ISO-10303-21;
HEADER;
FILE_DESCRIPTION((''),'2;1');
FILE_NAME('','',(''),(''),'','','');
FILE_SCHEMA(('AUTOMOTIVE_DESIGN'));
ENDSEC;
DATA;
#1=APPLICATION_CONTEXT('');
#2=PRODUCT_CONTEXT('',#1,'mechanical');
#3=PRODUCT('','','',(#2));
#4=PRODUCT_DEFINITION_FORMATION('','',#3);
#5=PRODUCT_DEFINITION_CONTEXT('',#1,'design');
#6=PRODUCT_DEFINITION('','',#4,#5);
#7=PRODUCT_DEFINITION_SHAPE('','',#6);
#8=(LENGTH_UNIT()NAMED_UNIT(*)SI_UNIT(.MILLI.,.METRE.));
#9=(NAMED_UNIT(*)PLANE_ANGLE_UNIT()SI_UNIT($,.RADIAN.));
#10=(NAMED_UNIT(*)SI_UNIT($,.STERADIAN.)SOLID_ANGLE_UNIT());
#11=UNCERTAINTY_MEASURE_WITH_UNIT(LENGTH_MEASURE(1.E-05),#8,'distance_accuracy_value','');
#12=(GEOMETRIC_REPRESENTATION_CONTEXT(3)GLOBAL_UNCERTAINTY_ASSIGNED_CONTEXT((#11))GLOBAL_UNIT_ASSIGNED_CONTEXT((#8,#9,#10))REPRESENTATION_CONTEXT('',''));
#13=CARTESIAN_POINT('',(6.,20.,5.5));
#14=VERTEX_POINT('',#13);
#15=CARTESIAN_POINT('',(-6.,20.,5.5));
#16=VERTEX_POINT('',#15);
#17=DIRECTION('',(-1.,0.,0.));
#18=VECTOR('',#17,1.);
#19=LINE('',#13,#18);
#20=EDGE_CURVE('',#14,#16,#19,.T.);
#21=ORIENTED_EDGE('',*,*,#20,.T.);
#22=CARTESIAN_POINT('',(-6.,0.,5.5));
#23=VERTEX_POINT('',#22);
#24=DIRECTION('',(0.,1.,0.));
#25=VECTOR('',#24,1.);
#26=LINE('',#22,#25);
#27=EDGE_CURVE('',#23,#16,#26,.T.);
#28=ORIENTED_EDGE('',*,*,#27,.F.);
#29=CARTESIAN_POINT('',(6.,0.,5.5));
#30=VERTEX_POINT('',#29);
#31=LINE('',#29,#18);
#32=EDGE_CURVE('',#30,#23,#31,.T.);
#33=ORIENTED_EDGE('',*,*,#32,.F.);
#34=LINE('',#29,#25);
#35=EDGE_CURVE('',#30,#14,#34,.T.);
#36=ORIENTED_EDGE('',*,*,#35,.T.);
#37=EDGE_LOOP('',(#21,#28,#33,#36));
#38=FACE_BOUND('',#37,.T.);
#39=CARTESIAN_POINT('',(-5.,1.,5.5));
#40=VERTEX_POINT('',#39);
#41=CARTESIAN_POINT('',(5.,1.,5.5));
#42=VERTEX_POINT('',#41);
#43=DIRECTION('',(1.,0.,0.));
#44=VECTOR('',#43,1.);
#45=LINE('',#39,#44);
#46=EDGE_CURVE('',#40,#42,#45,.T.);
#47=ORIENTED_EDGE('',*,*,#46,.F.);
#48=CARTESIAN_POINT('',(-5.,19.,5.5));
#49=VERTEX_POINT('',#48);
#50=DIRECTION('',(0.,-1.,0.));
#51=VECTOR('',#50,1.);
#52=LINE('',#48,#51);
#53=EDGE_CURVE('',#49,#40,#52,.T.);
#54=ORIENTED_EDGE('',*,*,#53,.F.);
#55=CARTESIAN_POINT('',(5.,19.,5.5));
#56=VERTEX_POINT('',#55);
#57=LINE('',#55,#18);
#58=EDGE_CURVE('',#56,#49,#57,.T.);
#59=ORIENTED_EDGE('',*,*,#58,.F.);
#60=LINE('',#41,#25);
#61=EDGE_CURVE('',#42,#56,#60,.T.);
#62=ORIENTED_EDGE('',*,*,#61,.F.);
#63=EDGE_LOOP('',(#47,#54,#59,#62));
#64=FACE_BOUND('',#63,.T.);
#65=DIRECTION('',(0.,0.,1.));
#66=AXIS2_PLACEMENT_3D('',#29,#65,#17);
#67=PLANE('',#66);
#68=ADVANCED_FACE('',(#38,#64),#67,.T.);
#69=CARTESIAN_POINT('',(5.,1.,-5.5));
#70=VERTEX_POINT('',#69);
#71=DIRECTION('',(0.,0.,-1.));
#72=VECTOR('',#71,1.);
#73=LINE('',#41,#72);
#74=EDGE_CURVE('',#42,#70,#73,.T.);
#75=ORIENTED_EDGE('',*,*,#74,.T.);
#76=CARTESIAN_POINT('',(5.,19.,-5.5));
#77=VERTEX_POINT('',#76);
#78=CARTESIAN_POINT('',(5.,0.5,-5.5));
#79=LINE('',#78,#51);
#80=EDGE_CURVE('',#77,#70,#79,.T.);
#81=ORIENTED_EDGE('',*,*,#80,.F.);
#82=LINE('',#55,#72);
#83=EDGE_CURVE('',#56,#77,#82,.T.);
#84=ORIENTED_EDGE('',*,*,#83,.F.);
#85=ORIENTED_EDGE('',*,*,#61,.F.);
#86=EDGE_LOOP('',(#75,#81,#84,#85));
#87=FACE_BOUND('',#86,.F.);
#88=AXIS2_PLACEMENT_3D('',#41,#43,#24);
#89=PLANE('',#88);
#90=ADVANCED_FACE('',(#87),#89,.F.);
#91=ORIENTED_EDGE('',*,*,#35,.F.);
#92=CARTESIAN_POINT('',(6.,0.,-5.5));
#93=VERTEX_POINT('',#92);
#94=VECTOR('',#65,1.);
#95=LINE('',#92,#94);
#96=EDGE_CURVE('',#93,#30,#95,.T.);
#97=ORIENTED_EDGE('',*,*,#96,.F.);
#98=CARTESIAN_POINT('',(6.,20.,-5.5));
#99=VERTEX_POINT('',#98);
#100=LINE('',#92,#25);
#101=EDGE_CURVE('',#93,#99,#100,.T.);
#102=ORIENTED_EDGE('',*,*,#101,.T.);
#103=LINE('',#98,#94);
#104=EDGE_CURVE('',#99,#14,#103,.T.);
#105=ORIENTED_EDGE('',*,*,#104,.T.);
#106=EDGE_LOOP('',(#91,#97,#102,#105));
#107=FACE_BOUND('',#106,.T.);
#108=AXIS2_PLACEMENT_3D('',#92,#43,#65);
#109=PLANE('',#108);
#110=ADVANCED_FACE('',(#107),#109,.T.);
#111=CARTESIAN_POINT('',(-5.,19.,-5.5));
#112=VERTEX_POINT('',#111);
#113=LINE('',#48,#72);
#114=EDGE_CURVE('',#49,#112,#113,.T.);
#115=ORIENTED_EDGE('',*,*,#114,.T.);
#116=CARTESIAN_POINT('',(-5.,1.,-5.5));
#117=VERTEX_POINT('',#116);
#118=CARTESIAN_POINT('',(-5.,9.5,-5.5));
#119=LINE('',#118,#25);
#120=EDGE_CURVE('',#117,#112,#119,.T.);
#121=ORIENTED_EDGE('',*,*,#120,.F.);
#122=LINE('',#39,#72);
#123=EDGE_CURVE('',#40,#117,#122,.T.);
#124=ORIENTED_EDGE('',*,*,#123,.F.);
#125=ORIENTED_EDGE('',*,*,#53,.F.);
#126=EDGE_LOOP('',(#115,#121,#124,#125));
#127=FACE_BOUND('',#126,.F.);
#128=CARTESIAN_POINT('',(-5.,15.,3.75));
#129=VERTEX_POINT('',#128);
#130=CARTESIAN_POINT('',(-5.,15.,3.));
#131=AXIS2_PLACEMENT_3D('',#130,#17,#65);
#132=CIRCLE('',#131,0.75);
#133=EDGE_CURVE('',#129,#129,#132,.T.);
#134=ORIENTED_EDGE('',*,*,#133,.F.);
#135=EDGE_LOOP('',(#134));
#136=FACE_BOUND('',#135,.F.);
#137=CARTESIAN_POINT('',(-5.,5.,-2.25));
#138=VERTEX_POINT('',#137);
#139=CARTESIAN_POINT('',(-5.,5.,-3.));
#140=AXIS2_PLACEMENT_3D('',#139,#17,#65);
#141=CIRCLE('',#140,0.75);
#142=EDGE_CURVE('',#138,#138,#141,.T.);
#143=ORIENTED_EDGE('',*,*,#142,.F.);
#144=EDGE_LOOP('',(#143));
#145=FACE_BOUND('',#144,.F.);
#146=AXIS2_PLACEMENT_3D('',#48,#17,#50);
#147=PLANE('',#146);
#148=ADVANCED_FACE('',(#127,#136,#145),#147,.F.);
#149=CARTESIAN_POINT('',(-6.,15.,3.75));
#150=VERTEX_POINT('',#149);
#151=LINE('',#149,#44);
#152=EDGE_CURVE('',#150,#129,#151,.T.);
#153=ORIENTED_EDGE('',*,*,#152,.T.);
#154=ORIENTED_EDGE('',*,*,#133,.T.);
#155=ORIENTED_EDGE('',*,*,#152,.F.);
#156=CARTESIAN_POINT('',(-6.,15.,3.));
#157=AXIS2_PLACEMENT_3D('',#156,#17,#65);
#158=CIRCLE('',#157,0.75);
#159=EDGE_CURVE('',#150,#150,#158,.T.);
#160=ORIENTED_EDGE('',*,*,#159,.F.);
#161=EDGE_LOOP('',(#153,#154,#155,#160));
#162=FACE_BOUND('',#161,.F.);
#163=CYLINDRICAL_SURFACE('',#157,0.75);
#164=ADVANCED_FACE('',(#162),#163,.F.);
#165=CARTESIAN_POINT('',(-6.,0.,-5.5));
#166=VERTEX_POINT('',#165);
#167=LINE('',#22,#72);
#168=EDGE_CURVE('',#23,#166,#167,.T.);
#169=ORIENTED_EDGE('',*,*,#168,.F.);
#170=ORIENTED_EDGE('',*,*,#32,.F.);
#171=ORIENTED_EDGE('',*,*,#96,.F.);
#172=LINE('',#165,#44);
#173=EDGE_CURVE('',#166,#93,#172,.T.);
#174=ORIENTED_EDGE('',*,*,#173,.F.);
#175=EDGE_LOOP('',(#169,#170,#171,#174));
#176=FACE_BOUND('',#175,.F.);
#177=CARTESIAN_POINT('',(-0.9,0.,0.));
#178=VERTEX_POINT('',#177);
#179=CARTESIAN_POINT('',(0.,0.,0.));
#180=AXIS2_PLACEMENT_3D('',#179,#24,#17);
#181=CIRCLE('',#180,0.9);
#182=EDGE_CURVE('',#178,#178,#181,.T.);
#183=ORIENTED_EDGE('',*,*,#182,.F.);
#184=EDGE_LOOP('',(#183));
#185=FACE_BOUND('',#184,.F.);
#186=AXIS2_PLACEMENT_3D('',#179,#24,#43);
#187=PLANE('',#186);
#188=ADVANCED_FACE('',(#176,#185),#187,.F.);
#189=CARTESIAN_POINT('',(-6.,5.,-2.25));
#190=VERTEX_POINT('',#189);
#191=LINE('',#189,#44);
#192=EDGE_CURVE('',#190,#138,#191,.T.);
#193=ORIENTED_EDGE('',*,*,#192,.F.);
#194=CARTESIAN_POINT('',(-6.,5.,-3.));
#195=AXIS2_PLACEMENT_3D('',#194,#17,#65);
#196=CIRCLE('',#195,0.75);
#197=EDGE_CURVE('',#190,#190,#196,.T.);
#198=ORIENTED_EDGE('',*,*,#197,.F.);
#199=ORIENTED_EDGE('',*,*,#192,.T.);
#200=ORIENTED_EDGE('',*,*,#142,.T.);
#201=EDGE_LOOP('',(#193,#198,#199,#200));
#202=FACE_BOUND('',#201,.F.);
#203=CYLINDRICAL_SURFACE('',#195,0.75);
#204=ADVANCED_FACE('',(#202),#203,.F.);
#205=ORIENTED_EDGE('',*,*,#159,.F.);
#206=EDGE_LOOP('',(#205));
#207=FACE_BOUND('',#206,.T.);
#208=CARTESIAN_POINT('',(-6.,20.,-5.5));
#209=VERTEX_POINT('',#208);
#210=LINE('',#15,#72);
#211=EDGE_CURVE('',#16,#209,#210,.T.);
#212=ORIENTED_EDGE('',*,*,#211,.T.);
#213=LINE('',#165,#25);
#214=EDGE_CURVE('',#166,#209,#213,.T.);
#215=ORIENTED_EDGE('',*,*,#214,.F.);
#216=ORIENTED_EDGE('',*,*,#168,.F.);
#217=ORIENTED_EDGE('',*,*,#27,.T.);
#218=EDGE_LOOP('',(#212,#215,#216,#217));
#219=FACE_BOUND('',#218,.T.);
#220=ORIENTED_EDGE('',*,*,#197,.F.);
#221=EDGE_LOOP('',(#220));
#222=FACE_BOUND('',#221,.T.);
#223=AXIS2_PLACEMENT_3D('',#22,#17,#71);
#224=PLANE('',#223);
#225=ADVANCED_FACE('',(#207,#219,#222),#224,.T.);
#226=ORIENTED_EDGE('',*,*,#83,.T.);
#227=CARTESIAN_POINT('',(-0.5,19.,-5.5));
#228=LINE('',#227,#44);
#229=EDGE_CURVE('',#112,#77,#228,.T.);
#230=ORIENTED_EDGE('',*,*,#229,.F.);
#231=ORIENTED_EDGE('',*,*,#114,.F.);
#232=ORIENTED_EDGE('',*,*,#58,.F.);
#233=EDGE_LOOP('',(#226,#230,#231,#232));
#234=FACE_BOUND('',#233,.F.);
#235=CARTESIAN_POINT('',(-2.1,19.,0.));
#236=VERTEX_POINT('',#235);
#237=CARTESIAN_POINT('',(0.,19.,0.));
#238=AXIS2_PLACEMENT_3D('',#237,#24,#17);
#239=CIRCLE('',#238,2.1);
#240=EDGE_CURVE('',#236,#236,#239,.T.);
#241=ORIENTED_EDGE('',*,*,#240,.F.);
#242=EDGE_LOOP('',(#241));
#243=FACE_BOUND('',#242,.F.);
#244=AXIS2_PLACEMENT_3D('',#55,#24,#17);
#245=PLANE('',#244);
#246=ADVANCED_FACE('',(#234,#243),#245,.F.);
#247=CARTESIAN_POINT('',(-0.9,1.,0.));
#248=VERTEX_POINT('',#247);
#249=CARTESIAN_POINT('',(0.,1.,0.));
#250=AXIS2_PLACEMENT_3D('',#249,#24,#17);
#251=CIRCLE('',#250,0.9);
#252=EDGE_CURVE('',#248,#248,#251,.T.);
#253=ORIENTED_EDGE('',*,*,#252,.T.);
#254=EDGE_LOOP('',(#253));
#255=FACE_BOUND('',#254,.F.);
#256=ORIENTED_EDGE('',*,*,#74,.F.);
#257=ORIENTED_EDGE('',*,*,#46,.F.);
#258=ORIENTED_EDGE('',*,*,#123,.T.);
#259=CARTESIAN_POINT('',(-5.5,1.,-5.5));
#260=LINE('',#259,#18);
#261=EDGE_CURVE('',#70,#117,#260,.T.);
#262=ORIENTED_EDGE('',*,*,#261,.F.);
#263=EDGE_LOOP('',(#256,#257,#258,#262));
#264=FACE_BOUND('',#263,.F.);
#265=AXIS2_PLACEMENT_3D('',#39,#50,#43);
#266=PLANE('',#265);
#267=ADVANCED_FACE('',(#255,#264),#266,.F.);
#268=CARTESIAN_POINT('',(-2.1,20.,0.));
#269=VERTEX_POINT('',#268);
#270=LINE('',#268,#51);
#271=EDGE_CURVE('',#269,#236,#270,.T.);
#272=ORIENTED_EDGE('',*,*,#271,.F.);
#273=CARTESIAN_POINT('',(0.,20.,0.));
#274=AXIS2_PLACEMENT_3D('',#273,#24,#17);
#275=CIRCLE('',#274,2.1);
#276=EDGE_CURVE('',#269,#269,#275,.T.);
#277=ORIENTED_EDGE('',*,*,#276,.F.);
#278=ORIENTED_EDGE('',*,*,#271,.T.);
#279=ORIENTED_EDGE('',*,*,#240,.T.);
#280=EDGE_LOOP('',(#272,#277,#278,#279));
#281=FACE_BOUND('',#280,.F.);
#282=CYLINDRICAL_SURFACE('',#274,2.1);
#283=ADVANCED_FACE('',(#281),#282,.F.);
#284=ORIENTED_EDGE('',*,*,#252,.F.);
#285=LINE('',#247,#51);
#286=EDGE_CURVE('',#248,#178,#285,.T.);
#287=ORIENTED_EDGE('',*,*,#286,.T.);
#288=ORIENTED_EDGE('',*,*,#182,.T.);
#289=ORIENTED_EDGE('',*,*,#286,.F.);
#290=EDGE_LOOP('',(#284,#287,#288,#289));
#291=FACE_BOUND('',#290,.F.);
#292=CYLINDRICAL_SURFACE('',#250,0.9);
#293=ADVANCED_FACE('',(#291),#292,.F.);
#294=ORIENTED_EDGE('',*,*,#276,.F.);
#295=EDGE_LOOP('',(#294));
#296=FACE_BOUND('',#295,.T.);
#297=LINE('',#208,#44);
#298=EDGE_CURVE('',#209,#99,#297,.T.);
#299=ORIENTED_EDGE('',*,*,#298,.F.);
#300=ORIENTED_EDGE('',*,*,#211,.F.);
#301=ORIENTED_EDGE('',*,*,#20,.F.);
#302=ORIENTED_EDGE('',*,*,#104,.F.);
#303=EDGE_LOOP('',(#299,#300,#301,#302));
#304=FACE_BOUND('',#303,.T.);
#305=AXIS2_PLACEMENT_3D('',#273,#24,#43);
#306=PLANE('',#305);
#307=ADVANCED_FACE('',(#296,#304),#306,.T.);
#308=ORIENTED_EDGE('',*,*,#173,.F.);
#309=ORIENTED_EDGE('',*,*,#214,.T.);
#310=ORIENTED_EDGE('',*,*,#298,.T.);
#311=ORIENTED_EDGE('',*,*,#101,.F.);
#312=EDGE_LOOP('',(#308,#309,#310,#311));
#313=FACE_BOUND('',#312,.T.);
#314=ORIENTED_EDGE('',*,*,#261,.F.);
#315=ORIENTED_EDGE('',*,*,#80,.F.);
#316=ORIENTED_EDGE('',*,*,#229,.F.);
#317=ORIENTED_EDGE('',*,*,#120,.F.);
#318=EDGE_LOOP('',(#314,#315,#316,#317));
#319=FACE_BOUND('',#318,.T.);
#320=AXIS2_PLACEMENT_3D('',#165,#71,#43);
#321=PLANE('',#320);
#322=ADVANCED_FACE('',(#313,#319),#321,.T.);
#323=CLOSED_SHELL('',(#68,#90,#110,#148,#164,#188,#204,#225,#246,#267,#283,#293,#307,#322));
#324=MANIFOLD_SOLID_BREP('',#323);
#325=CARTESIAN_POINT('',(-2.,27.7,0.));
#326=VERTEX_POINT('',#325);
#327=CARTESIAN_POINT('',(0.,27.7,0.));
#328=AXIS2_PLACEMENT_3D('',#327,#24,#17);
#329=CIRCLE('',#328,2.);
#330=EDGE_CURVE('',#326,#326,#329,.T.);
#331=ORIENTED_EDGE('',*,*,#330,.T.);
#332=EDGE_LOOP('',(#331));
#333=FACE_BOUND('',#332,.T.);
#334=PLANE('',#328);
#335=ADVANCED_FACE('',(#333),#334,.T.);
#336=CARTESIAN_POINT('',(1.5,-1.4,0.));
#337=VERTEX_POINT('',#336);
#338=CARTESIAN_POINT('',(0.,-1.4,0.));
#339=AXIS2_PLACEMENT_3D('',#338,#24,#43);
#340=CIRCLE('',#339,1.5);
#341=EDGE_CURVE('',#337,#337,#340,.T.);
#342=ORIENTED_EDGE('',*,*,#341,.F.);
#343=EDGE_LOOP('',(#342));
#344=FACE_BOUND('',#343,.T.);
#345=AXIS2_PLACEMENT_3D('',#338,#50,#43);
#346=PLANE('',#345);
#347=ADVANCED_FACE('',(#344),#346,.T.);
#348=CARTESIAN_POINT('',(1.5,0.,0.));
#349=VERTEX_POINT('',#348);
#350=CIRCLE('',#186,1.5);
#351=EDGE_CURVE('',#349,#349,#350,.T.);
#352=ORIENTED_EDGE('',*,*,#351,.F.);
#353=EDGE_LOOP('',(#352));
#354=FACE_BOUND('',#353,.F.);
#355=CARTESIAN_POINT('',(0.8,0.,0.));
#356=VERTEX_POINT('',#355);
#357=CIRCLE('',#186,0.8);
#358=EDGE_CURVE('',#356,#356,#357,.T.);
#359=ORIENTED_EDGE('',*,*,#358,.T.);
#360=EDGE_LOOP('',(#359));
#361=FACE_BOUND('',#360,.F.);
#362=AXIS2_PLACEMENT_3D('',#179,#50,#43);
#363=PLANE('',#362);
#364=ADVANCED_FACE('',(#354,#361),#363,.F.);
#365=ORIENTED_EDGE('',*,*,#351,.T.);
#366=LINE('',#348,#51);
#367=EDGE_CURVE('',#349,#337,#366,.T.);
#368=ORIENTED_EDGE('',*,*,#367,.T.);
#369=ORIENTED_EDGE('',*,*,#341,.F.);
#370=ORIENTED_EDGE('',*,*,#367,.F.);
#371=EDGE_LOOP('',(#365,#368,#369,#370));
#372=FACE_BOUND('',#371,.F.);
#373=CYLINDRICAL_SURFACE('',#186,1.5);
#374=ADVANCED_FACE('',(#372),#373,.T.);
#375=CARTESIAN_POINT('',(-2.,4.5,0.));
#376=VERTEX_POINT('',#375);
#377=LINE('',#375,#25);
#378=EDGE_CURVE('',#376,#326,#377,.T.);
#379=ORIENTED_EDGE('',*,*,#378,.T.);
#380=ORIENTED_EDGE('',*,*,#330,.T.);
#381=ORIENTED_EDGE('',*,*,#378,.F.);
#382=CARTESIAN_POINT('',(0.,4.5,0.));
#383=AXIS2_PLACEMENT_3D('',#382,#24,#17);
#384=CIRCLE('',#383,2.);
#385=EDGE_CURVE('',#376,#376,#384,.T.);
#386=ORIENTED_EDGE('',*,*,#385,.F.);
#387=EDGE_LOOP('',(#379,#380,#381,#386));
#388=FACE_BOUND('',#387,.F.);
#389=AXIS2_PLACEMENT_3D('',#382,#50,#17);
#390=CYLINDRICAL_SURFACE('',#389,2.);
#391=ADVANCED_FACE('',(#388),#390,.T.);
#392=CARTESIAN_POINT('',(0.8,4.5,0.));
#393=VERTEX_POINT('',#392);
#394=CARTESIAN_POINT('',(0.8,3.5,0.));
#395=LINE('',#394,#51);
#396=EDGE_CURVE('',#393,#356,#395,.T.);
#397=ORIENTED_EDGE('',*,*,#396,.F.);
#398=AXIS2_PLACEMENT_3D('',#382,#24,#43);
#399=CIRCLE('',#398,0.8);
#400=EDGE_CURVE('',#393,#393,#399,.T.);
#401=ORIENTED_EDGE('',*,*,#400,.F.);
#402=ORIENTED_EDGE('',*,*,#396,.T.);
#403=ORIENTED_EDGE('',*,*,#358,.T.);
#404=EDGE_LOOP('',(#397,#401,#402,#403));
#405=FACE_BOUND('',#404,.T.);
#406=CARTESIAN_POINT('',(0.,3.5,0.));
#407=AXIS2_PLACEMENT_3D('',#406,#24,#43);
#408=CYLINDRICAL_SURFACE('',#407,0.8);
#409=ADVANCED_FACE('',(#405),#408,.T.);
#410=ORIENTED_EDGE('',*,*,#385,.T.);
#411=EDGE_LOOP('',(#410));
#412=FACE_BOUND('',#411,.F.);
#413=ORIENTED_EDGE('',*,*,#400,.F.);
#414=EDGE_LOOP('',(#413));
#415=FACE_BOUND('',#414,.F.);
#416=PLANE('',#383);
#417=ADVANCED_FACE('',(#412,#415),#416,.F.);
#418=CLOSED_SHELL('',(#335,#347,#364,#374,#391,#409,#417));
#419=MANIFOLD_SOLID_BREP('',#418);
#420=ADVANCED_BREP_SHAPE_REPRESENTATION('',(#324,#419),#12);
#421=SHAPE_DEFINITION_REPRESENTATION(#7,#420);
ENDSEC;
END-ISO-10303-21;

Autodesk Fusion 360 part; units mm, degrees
sketch "スケッチ1" plane through (0, 0, 0) normal (0, 1, 0) x (1, 0, 0)
  line L0 (6, -5.5) -> (-6, -5.5)
  line L1 (-6, -5.5) -> (-6, 5.5)
  line L2 (-6, 5.5) -> (6, 5.5)
  line L3 (6, 5.5) -> (6, -5.5)
  line L4 (6, -5.5) -> (-6, 5.5) construction
  line L5 (-6, -5.5) -> (6, 5.5) construction
  dimension "d1" = 12
  dimension "d2" = 11
extrude "押し出し1" add sketch "スケッチ1" along normal blind 20 makes body 1 in component "Component'"
sketch "スケッチ2" plane through (0, 0, 5.5) normal (0, 0, 1) x (1, 0, 0)
  line L0 (-6, 0) -> (6, 0)
  line L1 (6, 0) -> (6, 20)
  line L2 (6, 20) -> (-6, 20)
  line L3 (-6, 20) -> (-6, 0)
  line L4 (-5, 1) -> (5, 1)
  line L5 (5, 1) -> (5, 19)
  line L6 (5, 19) -> (-5, 19)
  line L7 (-5, 19) -> (-5, 1)
extrude "押し出し2" cut sketch "スケッチ2" against normal blind 24 contours L4 L5 L6 L7 bodies 1 in component "Component'"
sketch "スケッチ3" plane through (0, 20, 0) normal (0, 1, 0) x (-1, 0, 0)
  line L0 (-6, -5.5) -> (6, -5.5)
  line L1 (6, -5.5) -> (6, 5.5)
  line L2 (6, 5.5) -> (-6, 5.5)
  line L3 (-6, 5.5) -> (-6, -5.5)
  circle A0 centre (0, 0) radius 2.1
  dimension "d7" = 4.2
extrude "押し出し3" cut sketch "スケッチ3" against normal blind 6 contours A0 bodies 1 in component "Component'"
sketch "スケッチ4" plane through (0, 1, 0) normal (0, 1, 0) x (-1, 0, 0)
  line L0 (-5, -5.5) -> (5, -5.5)
  line L1 (5, -5.5) -> (5, 5.5)
  line L2 (5, 5.5) -> (-5, 5.5)
  line L3 (-5, 5.5) -> (-5, -5.5)
  circle A0 centre (0, 0) radius 0.9
  dimension "d10" = 1.8
extrude "押し出し4" cut sketch "スケッチ4" against normal blind 1.5 contours A0 bodies 1 in component "Component'"
sketch "スケッチ5" plane through (0, 0, 0) normal (0, 1, 0) x (1, 0, 0)
  circle A0 centre (0, 0) radius 0.8
  dimension "d13" = 1.6
extrude "押し出し1'" add sketch "スケッチ5" against normal blind 3.5 separate body makes body 2 in component "Component''"
sketch "スケッチ6" plane through (0, -3.5, 0) normal (0, -1, 0) x (1, 0, 0)
  circle A0 centre (0, 0) radius 0.8
  circle A1 centre (0, 0) radius 1.5
  dimension "d16" = 3
extrude "押し出し2'" add sketch "スケッチ6" along normal blind 1.4 contours A0 | A1 bodies 2 in component "Component''"
move_face "面をオフセット1" offset 1 1 faces at (0.273, 0, -0.1637) on bodies 2 in component "Component''"
sketch "スケッチ7" plane through (0, 1, 0) normal (0, 1, 0) x (-1, 0, 0)
  circle A0 centre (0, 0) radius 0.8
  circle A1 centre (0, 0) radius 2
  dimension "d20" = 4
extrude "押し出し3'" add sketch "スケッチ7" along normal blind 23.2 contours A0 | A1 bodies 2 in component "Component''"
sketch "スケッチ8" plane through (-6, 0, 0) normal (-1, 0, 0) x (0, 0, 1)
  line L0 (-5.5, 0) -> (5.5, 0)
  line L1 (5.5, 0) -> (5.5, 20)
  line L2 (5.5, 20) -> (-5.5, 20)
  line L3 (-5.5, 20) -> (-5.5, 0)
  line L4 (-5.5, 0) -> (-3, 0) construction
  line L5 (-3, 0) -> (-3, 5) construction
  line L6 (-3, 5) -> (-5.5, 5) construction
  line L7 (-5.5, 5) -> (-5.5, 0) construction
  circle A0 centre (-3, 5) radius 0.75
  dimension "d23" = 2.5
  dimension "d24" = 5
  dimension "d25" = 1.5
extrude "押し出し5" cut sketch "スケッチ8" against normal blind 2 contours A0 bodies 1 in component "Component'"
sketch "スケッチ9" plane through (-6, 0, 0) normal (-1, 0, 0) x (0, 0, 1)
  circle A0 centre (-3, 5) radius 0.75
  line L0 (-5.5, 0) -> (5.5, 0)
  line L1 (5.5, 0) -> (5.5, 20)
  line L2 (5.5, 20) -> (-5.5, 20)
  line L3 (-5.5, 20) -> (-5.5, 0)
  line L4 (5.5, 0) -> (3, 0) construction
  line L5 (3, 0) -> (3, 15) construction
  line L6 (3, 15) -> (5.5, 15) construction
  line L7 (5.5, 15) -> (5.5, 0) construction
  circle A1 centre (3, 15) radius 0.75
  dimension "d28" = 15
  dimension "d29" = 2.5
  dimension "d30" = 1.5
extrude "押し出し6" cut sketch "スケッチ9" against normal blind 2 contours A1 bodies 1 in component "Component'"
component "Component'" placed x (1, 0, 0) y (0, 1, 0) z (0, 0, 1) at (0, 0, 0)
component "Component''" placed x (1, 0, 0) y (0, 1, 0) z (0, 0, 1) at (0, 3.5, 0)
